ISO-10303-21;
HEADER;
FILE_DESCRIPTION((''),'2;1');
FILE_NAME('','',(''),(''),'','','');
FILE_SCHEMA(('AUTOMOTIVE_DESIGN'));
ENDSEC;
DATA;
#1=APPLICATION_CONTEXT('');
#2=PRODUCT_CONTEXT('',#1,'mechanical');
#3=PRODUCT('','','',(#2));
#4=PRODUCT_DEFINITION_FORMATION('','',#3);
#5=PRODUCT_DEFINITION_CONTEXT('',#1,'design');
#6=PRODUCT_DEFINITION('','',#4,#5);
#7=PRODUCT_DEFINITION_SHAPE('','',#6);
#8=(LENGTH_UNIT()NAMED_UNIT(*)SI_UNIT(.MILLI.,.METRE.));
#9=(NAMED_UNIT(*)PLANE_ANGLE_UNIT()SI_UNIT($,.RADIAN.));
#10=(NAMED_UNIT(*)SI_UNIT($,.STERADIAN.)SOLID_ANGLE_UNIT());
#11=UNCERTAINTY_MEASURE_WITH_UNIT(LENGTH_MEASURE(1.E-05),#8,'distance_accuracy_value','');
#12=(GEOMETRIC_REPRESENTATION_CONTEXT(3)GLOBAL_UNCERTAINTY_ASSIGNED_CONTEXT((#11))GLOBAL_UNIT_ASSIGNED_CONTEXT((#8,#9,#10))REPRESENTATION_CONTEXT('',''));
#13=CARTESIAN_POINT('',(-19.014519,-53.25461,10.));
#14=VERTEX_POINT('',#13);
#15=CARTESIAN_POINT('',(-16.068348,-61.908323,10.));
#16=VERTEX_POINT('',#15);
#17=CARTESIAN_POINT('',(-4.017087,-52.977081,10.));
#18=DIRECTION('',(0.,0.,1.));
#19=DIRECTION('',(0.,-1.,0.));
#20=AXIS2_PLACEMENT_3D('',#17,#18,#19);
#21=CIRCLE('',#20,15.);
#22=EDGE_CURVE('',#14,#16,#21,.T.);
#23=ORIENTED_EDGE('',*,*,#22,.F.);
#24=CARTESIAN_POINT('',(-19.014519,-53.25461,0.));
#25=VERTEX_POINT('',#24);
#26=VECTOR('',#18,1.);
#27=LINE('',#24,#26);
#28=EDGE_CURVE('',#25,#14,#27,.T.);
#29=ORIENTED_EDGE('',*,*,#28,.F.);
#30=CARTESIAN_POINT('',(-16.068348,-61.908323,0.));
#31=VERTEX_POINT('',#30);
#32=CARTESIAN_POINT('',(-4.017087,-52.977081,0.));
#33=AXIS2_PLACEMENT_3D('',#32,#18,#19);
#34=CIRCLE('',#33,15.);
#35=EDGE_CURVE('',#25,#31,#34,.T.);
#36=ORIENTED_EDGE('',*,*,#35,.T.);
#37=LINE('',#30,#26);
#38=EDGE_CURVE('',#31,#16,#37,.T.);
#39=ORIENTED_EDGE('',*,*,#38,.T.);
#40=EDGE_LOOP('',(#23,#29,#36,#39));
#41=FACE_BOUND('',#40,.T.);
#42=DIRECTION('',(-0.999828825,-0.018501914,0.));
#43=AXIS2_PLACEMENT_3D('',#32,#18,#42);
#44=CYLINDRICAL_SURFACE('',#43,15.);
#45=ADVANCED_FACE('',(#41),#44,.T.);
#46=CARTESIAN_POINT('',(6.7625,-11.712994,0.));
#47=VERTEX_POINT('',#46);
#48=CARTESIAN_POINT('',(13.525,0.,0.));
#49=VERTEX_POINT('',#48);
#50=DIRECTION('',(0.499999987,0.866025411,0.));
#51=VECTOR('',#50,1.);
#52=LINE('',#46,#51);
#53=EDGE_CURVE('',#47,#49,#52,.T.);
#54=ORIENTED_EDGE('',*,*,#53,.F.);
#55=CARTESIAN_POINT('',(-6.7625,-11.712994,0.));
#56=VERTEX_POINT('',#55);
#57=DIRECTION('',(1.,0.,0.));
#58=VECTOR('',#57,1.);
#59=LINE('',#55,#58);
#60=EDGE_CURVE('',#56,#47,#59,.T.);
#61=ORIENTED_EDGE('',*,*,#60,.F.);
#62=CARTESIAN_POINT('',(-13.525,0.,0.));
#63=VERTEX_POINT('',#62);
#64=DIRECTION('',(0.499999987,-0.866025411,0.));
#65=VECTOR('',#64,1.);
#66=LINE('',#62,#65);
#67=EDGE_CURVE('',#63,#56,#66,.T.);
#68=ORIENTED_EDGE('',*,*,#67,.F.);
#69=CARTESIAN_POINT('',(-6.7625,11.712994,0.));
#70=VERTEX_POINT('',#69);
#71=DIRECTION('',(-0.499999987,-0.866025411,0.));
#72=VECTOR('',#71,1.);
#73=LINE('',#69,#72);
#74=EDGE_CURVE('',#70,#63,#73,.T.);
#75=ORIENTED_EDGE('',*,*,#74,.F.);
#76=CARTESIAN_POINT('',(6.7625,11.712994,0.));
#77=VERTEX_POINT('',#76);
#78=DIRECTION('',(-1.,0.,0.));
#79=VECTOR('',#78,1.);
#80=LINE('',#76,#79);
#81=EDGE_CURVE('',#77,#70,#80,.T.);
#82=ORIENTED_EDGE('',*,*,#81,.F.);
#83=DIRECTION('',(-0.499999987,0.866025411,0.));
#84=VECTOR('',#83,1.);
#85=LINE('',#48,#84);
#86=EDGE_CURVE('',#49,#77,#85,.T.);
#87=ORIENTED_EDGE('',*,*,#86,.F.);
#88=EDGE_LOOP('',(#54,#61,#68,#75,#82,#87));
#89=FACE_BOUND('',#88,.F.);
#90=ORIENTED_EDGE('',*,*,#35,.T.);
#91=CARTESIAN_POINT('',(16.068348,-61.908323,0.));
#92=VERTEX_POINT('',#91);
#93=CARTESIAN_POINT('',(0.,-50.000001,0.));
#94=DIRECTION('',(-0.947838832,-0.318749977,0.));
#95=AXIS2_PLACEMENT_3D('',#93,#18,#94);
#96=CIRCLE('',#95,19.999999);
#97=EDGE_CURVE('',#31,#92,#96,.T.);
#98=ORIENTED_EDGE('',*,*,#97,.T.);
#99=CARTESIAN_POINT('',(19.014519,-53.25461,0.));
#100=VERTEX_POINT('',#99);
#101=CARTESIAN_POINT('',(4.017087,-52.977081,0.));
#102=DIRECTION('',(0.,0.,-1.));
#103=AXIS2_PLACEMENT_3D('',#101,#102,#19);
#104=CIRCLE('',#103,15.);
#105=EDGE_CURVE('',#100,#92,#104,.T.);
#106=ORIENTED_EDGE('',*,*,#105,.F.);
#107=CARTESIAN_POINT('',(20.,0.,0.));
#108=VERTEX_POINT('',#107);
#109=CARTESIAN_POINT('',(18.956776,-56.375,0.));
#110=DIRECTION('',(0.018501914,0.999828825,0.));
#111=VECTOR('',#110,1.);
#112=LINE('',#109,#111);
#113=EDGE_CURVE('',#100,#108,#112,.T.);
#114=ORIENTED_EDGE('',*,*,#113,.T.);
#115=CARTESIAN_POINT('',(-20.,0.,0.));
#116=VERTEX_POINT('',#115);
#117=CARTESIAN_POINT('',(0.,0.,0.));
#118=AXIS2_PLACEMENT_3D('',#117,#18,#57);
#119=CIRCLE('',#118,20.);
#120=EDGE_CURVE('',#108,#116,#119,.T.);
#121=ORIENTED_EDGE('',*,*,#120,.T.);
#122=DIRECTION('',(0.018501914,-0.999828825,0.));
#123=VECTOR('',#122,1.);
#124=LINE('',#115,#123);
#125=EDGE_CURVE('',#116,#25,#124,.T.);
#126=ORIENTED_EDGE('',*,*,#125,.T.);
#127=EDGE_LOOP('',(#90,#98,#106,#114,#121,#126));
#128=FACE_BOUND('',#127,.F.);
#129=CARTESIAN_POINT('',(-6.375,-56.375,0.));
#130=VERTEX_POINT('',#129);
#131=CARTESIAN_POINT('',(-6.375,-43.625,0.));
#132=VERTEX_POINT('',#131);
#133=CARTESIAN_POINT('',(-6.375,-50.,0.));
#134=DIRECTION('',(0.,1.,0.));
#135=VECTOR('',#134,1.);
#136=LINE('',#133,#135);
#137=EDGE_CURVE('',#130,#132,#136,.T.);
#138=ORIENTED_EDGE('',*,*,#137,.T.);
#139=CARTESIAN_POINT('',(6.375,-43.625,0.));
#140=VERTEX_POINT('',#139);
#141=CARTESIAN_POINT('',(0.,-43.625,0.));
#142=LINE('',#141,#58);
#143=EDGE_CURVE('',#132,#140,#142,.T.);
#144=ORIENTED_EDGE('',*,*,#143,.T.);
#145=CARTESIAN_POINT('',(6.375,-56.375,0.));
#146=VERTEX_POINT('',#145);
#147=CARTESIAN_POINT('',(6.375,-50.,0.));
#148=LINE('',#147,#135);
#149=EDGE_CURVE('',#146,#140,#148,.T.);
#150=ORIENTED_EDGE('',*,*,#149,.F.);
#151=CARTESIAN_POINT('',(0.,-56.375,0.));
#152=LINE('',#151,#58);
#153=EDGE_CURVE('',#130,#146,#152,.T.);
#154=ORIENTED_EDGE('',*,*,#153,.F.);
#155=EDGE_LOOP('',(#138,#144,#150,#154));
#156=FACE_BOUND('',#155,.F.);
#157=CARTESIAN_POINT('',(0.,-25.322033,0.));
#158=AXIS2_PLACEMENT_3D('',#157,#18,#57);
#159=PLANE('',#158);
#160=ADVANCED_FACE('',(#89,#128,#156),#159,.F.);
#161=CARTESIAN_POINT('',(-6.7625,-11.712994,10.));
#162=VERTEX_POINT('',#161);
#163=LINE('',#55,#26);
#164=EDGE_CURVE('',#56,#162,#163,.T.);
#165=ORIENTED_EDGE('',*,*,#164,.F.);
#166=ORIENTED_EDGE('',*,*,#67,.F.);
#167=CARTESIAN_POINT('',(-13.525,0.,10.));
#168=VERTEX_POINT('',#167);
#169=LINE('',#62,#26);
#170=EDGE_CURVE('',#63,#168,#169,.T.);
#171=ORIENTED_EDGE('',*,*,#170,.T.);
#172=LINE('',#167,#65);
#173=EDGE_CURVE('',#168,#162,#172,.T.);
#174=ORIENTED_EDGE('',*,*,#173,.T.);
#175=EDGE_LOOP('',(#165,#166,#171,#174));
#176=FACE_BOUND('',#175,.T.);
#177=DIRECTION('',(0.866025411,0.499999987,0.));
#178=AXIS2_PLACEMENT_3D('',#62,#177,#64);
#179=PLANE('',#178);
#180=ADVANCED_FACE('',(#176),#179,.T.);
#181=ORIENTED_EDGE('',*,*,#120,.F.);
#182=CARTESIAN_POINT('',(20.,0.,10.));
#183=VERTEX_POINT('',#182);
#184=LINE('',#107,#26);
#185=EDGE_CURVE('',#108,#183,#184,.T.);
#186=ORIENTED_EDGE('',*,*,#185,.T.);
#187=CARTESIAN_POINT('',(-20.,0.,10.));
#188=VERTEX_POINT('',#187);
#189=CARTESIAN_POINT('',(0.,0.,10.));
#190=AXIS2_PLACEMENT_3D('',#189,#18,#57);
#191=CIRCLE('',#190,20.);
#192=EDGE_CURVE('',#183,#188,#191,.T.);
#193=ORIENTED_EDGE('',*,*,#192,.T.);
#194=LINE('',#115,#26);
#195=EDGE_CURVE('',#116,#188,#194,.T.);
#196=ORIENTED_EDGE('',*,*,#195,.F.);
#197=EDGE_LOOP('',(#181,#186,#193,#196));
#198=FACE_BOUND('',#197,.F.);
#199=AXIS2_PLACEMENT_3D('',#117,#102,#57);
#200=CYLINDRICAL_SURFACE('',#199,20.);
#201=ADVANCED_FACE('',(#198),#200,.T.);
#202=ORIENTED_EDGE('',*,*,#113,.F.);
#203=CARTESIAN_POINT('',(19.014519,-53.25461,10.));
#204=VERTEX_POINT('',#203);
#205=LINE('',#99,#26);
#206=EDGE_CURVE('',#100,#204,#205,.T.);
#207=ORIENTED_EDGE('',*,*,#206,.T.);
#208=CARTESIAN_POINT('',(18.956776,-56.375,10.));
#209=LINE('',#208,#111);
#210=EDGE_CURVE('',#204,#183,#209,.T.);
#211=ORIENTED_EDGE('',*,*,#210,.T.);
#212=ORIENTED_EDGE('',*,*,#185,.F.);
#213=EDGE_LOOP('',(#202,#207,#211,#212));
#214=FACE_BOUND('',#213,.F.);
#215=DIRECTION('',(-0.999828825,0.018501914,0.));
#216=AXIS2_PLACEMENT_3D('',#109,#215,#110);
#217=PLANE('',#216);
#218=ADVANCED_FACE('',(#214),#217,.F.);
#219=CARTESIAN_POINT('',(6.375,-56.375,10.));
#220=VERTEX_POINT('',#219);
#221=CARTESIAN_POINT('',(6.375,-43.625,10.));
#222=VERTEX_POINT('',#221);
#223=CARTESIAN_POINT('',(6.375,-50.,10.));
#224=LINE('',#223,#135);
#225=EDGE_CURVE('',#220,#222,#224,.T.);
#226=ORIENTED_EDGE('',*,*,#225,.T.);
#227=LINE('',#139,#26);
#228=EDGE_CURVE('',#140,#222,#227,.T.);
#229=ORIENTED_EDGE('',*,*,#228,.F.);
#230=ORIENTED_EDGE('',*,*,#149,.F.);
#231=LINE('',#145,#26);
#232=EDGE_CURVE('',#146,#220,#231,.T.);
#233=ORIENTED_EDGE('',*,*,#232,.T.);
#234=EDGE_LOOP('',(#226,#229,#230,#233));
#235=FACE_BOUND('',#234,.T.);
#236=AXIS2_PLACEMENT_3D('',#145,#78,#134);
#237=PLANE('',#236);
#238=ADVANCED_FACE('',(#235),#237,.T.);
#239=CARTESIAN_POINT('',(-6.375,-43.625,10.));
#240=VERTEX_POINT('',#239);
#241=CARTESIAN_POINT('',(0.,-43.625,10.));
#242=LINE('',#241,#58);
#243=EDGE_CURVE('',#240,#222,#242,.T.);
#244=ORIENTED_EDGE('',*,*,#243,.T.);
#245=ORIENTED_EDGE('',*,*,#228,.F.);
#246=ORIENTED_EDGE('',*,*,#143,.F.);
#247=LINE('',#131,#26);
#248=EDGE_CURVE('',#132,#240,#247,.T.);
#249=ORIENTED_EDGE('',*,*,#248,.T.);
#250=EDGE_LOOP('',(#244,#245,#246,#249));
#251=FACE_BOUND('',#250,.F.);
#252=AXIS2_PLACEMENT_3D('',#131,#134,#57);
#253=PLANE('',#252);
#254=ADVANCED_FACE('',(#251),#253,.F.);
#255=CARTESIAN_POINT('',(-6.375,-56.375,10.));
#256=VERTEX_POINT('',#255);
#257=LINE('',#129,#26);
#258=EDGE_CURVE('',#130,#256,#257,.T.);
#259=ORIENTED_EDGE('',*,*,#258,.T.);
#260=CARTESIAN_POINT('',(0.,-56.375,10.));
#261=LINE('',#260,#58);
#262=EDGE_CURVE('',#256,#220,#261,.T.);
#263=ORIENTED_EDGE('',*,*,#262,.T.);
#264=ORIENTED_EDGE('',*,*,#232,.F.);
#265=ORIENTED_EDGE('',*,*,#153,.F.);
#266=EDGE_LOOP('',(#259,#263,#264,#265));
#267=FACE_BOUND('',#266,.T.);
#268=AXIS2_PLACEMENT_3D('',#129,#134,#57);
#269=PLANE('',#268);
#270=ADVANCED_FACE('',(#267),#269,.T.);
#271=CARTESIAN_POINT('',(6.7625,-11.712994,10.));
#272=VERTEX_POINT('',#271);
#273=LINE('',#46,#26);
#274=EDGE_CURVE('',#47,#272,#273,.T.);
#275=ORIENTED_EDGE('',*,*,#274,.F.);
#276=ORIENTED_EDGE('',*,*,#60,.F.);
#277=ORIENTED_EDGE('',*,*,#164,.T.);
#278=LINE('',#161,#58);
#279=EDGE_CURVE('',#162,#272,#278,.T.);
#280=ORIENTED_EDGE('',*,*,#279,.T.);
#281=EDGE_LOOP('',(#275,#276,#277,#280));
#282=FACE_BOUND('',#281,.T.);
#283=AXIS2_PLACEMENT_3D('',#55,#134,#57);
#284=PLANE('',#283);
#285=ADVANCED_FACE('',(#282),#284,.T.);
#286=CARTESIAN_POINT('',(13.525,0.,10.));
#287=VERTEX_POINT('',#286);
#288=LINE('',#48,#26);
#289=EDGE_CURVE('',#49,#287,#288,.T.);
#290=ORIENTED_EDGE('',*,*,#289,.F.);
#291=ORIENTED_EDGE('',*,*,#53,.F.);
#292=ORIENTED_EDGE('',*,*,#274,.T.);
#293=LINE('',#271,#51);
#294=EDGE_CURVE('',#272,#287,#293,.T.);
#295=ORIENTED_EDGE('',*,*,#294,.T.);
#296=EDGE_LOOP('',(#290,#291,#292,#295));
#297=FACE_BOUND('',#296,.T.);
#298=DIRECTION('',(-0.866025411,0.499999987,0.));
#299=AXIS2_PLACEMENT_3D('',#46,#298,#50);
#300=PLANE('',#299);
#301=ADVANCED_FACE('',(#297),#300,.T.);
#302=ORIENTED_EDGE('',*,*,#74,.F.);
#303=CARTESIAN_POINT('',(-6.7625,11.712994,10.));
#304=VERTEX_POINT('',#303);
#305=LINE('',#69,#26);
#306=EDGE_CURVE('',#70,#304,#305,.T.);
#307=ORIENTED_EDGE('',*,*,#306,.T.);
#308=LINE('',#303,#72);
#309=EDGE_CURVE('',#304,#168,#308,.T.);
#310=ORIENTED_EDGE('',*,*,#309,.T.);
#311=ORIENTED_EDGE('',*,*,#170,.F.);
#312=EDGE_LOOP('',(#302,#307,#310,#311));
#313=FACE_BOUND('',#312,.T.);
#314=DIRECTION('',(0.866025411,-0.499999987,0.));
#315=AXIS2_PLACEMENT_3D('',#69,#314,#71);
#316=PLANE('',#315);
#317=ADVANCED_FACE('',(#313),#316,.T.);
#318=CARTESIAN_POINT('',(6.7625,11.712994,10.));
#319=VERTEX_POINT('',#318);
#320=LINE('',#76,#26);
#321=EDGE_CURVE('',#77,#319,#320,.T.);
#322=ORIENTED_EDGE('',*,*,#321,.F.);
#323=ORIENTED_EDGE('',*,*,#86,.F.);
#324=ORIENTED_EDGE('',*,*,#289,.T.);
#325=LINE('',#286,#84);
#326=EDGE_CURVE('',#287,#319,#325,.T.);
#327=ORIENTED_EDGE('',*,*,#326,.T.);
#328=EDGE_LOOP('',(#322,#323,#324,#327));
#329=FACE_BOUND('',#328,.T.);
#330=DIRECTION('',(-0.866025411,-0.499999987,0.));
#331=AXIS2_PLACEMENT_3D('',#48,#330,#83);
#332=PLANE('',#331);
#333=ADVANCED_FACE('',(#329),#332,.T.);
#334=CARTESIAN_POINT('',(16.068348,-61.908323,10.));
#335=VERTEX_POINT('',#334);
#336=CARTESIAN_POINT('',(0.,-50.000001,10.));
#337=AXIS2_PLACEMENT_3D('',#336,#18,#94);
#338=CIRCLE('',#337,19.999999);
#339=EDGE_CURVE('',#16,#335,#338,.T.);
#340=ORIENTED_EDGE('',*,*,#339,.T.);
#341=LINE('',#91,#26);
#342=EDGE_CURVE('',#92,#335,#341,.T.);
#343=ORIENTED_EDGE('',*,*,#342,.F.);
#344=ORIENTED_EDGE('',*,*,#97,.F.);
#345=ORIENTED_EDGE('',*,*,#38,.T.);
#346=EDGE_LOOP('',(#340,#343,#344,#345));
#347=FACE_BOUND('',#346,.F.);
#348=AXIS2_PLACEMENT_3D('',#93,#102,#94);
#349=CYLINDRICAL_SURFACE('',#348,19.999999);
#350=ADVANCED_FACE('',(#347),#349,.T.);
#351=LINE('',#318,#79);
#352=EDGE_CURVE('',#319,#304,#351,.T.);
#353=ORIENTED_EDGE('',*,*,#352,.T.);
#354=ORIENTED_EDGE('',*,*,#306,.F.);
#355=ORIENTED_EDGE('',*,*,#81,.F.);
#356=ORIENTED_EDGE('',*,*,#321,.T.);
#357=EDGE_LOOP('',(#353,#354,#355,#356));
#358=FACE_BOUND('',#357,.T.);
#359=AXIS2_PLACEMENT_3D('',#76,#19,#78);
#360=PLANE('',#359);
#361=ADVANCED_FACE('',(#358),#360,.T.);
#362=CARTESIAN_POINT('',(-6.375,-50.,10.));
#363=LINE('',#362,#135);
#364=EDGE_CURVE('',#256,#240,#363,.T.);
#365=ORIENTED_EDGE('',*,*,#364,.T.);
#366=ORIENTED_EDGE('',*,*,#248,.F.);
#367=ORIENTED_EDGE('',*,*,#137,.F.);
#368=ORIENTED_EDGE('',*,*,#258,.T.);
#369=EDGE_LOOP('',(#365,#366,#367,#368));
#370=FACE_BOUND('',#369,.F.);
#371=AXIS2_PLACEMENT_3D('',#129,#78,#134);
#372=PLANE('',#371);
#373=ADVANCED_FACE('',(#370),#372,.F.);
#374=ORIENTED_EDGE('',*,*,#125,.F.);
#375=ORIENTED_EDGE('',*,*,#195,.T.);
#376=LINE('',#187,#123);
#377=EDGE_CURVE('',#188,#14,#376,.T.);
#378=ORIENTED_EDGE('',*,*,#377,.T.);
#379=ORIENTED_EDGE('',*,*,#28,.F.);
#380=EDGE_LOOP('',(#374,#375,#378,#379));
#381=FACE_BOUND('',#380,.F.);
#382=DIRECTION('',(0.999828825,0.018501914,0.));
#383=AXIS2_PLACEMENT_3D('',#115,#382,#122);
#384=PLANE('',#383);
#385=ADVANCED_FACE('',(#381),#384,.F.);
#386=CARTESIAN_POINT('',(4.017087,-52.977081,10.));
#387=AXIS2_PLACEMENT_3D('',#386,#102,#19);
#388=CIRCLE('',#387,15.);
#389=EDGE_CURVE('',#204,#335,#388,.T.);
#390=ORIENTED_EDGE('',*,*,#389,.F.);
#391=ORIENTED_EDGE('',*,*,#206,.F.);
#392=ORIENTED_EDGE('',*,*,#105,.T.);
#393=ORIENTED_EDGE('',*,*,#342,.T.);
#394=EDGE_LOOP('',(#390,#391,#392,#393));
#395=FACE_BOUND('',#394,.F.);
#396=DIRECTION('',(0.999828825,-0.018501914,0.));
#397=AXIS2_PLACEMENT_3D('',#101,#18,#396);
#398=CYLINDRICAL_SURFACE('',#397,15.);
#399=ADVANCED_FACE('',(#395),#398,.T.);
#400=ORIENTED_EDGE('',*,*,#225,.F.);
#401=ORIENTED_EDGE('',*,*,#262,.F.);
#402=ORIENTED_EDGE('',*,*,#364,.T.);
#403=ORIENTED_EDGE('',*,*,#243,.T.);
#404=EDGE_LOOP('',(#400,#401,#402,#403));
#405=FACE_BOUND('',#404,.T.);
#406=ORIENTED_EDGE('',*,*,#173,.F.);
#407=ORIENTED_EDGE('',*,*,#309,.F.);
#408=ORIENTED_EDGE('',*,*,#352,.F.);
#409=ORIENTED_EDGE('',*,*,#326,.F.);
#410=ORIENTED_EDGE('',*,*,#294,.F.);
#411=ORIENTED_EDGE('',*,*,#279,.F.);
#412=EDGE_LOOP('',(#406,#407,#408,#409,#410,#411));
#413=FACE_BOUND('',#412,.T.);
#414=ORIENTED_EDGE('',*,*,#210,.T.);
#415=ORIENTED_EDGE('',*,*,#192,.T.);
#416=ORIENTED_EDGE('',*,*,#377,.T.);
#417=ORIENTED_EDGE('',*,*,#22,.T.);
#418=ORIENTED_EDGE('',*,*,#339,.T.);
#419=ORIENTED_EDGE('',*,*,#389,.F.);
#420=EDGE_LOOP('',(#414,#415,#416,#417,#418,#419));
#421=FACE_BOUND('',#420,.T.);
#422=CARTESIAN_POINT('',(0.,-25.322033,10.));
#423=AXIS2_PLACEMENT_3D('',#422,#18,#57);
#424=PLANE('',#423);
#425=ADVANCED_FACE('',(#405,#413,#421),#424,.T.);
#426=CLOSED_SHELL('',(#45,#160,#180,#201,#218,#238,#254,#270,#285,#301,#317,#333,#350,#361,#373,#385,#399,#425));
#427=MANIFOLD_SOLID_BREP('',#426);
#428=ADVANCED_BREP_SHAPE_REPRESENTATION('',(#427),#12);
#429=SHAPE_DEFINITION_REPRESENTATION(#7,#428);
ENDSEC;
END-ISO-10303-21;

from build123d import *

# Parameters (mm, degrees)
SKETCH_W  = 12.75
SKETCH_H  = 12.75
PAD_DEPTH = 10
FILLET_R  = 15


with BuildPart() as part:
    # Sketch → Pad (new body)
    with BuildSketch(Plane.XY):
        with BuildLine():
            ThreePointArc((20, 0), (0, 20), (-20, 0))
            Line((-20, 0), (-18.956776, -56.375))
            ThreePointArc((-18.956776, -56.375), (0, -70), (18.956776, -56.375))
            Line((18.956776, -56.375), (20, 0))
        make_face()
        Polygon((-13.525, 0), (-6.7625, -11.712994), (6.7625, -11.712994), (13.525, 0), (6.7625, 11.712994), (-6.7625, 11.712994), align=None, mode=Mode.SUBTRACT)
        with Locations((0, -50)):
            Rectangle(SKETCH_W, SKETCH_H, mode=Mode.SUBTRACT)
    extrude(amount=PAD_DEPTH)

    # Fillet
    fillet_edges = [part.edges().sort_by_distance(p)[0] for p in [
        (-20, 0, 5),
        (-18.956776, -56.375, 5),
        (18.956776, -56.375, 5),
        (20, 0, 5),
    ]]
    fillet(fillet_edges, radius=FILLET_R)


solid = part.part
